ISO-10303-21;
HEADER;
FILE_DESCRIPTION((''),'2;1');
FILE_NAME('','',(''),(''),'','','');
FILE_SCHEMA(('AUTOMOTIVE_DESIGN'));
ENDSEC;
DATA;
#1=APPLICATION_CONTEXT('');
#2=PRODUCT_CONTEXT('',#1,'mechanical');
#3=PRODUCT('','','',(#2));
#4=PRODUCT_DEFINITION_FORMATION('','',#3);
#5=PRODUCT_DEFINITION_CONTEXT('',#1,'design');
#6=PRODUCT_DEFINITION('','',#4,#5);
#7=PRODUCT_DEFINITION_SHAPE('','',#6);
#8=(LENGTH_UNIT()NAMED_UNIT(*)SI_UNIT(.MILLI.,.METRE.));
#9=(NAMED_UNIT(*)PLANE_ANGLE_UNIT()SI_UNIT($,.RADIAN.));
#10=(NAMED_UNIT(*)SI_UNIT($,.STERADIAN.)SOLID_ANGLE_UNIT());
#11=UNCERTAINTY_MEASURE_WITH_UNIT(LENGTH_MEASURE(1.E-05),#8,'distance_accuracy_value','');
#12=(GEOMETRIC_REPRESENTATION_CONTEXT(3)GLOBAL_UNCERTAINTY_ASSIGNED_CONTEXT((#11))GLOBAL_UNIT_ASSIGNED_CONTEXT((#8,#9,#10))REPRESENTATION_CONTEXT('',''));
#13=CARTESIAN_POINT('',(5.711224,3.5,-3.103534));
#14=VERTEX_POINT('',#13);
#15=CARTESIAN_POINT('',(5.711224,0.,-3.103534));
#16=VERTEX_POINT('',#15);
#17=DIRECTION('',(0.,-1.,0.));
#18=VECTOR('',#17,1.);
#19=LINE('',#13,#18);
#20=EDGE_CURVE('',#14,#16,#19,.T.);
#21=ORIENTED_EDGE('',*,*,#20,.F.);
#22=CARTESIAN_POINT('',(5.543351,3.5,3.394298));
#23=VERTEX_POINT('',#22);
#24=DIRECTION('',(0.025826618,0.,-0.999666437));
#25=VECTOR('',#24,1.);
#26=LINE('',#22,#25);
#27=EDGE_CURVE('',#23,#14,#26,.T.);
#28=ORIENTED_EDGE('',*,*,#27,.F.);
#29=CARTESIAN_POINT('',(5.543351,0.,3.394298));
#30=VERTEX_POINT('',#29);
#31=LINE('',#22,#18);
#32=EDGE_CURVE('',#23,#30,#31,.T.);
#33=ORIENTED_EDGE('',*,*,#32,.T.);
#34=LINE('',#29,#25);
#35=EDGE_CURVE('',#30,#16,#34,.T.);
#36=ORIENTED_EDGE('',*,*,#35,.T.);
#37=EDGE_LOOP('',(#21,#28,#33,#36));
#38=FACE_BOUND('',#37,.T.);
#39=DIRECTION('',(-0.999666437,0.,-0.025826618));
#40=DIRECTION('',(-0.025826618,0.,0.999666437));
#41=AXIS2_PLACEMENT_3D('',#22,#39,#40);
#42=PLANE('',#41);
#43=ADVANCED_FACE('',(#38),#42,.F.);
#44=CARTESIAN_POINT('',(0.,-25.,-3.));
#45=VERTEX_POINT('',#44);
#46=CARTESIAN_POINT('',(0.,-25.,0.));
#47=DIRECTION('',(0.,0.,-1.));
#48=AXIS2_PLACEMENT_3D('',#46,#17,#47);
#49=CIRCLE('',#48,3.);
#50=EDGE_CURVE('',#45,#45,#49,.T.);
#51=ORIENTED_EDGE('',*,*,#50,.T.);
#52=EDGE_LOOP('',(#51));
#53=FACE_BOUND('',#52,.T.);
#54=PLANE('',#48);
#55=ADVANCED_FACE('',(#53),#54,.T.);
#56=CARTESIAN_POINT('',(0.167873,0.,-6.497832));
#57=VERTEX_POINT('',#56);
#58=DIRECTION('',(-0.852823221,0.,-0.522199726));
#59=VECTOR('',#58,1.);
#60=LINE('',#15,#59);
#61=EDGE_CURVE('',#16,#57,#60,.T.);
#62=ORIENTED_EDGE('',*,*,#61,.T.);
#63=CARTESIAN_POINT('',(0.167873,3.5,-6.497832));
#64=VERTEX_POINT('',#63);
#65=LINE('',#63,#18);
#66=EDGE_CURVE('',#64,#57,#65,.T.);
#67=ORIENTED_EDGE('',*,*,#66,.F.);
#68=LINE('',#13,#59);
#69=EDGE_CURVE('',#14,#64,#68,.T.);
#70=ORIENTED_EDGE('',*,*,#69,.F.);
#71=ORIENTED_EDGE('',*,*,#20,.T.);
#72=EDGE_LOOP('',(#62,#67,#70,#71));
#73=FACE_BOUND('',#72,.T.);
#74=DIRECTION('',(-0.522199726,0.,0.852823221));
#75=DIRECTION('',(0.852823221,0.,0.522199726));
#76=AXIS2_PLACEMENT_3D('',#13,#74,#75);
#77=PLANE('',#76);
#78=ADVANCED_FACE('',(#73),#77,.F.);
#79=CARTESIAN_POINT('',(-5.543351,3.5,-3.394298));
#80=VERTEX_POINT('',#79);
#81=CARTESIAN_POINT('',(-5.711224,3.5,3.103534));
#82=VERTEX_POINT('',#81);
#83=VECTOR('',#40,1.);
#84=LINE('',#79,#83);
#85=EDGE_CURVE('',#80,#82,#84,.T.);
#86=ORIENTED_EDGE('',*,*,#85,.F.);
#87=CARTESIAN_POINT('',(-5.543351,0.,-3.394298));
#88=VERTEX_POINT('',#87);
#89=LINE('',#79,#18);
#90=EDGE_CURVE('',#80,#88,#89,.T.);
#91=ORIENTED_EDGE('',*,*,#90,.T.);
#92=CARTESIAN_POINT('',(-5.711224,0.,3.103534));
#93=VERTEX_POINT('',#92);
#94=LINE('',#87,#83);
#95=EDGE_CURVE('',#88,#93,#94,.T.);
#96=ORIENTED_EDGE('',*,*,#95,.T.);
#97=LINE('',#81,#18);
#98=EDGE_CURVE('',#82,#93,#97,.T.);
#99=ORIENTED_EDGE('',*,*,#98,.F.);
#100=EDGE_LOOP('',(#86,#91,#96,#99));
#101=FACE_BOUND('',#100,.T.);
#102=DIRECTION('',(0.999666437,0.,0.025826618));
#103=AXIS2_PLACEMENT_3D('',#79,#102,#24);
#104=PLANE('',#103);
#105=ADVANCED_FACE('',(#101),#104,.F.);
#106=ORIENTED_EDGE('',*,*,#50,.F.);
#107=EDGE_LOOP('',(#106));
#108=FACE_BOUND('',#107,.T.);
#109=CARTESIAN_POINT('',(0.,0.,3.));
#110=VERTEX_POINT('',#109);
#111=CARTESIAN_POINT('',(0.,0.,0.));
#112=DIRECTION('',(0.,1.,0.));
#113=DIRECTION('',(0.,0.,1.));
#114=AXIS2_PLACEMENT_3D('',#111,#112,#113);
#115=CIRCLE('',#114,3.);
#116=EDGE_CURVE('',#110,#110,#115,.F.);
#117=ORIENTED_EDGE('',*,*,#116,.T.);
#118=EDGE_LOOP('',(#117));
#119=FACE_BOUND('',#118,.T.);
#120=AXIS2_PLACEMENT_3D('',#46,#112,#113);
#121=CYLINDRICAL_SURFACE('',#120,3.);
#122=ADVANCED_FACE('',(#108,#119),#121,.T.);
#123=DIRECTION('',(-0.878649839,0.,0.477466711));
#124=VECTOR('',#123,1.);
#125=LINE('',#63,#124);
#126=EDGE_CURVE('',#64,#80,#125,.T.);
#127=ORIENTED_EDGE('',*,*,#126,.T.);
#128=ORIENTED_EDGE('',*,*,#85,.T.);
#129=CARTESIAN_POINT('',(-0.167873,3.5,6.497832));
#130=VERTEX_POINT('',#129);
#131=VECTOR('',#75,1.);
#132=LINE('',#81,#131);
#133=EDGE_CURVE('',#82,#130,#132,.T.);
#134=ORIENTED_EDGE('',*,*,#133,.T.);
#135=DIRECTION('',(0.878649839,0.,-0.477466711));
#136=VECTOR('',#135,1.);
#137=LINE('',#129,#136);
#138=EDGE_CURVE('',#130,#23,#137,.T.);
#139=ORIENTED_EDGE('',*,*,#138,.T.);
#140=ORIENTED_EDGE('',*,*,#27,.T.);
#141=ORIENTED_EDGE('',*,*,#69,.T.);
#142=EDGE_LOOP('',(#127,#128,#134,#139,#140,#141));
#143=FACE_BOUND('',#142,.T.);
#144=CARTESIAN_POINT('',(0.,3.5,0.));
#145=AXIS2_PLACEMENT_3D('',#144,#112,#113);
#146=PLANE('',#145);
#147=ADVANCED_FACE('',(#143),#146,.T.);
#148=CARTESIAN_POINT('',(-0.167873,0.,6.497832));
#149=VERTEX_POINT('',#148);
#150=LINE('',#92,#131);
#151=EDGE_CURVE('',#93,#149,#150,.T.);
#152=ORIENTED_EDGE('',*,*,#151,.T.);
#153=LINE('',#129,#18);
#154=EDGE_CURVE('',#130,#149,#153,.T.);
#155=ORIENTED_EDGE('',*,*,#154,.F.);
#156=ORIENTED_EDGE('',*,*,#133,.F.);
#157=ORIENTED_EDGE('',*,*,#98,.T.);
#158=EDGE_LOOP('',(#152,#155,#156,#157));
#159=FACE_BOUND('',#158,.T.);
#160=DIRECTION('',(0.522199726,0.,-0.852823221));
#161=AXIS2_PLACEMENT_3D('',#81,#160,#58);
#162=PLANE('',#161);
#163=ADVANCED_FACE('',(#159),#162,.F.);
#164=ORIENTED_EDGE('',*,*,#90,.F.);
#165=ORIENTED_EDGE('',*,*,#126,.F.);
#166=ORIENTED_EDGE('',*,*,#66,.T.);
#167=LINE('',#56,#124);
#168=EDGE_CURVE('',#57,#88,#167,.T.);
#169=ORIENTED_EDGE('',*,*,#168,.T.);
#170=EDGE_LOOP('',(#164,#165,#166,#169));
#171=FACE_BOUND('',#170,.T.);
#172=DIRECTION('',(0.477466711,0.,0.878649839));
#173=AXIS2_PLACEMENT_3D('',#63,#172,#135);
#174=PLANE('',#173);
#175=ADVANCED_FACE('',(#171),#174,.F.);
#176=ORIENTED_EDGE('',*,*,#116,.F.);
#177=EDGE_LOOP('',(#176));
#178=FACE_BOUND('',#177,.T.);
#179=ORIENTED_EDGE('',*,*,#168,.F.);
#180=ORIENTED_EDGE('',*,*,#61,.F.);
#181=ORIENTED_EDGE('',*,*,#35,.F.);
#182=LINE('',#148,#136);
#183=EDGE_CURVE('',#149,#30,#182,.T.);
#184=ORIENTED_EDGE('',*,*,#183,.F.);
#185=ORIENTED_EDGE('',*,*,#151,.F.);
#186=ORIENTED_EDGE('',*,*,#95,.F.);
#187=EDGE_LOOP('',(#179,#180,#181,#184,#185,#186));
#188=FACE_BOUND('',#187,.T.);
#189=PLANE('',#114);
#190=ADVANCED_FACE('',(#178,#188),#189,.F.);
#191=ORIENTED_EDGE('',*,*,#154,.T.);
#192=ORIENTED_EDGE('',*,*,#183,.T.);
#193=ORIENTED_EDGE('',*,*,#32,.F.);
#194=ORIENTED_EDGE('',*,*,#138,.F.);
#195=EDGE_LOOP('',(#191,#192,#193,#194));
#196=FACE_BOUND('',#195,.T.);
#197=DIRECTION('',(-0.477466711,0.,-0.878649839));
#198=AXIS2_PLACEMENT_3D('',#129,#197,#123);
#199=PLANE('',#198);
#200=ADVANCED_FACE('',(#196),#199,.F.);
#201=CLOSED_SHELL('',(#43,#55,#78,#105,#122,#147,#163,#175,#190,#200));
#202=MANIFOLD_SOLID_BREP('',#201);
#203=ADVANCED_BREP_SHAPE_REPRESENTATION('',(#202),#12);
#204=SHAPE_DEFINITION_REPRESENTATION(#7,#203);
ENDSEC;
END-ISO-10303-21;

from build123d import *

# Parameters (mm, degrees)
BOSS_EXTRUDE1_DEPTH = 3.5
SKETCH2_R           = 3
BOSS_EXTRUDE2_DEPTH = 25


with BuildPart() as part:
    # Sketch1 → Boss-Extrude1 (new body)
    with BuildSketch(Plane(origin=(0, 0, 0), x_dir=(1, 0, 0), z_dir=(0, 1, 0))):
        Polygon((5.543350936, -3.394298218), (5.711223953, 3.103533624), (0.167873017, 6.497831842), (-5.543350936, 3.394298218), (-5.711223953, -3.103533624), (-0.167873017, -6.497831842), align=None)
    extrude(amount=BOSS_EXTRUDE1_DEPTH)

    # Sketch2 → Boss-Extrude2 (add)
    with BuildSketch(Plane.XZ):
        with Locations(Location((0, 0, 0), (0, 0, 90))):
            Circle(SKETCH2_R)
    extrude(amount=BOSS_EXTRUDE2_DEPTH)


solid = part.part
